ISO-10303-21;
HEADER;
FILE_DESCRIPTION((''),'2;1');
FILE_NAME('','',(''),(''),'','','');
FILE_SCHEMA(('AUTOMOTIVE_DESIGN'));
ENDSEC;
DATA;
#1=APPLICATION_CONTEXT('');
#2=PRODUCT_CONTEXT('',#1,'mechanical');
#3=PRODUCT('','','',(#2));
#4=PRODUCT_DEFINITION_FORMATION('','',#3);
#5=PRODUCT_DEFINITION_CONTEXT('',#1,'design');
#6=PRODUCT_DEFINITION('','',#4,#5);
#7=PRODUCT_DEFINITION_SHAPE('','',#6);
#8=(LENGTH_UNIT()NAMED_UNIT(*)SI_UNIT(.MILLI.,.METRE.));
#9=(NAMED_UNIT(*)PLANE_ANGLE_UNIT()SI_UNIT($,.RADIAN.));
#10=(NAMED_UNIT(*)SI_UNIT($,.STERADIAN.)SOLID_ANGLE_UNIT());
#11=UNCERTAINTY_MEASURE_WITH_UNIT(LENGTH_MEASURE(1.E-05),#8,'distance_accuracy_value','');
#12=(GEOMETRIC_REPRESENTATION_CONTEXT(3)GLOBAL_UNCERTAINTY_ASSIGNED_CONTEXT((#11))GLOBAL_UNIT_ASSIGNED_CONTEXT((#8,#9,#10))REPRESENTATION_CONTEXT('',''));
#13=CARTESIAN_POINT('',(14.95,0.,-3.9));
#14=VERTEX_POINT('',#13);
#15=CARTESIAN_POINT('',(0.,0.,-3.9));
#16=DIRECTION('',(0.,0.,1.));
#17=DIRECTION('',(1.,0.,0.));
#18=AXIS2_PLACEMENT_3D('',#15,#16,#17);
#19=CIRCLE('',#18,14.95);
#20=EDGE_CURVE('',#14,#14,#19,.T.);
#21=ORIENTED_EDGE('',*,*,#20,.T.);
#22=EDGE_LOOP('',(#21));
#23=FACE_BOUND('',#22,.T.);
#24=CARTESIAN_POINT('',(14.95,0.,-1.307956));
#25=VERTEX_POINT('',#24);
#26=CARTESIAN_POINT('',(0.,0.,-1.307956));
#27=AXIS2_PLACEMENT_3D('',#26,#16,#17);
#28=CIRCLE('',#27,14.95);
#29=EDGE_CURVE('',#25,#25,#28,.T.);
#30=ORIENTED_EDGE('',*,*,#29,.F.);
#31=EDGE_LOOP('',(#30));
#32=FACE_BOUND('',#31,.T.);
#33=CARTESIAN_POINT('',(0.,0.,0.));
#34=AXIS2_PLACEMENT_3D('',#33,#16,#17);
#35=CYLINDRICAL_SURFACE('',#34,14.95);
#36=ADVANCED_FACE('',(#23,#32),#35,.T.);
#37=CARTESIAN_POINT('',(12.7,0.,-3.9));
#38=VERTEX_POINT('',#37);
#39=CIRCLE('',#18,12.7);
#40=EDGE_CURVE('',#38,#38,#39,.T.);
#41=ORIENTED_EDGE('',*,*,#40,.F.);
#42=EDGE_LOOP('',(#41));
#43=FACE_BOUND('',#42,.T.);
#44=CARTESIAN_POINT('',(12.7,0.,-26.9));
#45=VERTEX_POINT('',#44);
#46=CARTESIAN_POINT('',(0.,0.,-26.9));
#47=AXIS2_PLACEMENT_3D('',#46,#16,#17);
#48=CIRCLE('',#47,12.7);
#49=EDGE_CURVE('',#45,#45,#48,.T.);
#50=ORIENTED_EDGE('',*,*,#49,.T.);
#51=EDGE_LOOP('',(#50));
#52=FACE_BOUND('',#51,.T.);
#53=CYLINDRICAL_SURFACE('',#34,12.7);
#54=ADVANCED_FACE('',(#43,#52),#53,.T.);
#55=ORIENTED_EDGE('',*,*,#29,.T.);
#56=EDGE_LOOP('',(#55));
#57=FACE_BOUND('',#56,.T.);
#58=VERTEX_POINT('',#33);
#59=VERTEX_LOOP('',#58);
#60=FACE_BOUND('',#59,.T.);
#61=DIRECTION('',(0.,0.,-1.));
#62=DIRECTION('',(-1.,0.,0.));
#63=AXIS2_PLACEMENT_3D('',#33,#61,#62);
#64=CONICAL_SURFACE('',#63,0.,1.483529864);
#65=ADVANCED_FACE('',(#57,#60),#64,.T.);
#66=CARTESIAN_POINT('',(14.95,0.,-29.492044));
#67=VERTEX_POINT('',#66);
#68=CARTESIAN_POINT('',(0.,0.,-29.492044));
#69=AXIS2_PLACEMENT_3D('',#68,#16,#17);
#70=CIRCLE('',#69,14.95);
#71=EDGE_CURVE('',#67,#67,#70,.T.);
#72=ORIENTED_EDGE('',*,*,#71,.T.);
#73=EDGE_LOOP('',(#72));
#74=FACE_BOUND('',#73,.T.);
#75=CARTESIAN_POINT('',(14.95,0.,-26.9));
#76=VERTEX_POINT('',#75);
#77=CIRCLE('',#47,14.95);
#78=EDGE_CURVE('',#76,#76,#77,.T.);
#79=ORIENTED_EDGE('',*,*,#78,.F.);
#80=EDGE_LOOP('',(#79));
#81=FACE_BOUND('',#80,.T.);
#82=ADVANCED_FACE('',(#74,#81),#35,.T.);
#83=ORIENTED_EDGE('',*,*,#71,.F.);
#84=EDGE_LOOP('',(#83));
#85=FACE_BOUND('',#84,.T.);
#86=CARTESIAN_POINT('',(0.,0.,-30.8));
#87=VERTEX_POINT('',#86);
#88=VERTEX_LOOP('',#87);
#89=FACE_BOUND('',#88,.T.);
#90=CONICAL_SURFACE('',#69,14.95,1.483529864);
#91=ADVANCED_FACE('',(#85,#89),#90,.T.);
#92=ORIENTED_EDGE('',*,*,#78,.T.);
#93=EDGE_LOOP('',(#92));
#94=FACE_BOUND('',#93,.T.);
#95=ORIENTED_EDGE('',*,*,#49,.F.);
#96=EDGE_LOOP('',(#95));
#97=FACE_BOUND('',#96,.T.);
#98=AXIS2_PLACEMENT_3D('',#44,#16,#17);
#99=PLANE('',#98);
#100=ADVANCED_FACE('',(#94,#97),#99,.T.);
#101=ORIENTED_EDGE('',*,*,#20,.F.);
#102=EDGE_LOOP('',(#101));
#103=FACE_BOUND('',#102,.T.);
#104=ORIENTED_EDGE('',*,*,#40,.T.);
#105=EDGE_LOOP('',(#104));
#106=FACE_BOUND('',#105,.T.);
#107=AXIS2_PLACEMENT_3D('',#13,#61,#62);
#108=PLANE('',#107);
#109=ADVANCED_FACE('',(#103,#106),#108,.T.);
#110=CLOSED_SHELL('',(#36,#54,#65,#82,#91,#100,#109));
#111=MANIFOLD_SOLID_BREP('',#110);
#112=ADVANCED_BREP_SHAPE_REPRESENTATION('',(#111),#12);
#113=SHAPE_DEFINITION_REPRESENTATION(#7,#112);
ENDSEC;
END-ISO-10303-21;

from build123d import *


with BuildPart() as part:
    # Sketch2 → Revolve1 (revolve)
    with BuildSketch(Plane(origin=(0, 0, 0), x_dir=(1, 0, 0), z_dir=(0, 1, 0))):
        Polygon((0, 0), (0, 30.8), (14.95, 29.49204448), (14.95, 26.9), (12.7, 26.9), (12.7, 3.9), (14.95, 3.9), (14.95, 1.30795552), align=None)
    revolve(axis=Axis((0, 0, 0), (0, 0, -1)))


solid = part.part
